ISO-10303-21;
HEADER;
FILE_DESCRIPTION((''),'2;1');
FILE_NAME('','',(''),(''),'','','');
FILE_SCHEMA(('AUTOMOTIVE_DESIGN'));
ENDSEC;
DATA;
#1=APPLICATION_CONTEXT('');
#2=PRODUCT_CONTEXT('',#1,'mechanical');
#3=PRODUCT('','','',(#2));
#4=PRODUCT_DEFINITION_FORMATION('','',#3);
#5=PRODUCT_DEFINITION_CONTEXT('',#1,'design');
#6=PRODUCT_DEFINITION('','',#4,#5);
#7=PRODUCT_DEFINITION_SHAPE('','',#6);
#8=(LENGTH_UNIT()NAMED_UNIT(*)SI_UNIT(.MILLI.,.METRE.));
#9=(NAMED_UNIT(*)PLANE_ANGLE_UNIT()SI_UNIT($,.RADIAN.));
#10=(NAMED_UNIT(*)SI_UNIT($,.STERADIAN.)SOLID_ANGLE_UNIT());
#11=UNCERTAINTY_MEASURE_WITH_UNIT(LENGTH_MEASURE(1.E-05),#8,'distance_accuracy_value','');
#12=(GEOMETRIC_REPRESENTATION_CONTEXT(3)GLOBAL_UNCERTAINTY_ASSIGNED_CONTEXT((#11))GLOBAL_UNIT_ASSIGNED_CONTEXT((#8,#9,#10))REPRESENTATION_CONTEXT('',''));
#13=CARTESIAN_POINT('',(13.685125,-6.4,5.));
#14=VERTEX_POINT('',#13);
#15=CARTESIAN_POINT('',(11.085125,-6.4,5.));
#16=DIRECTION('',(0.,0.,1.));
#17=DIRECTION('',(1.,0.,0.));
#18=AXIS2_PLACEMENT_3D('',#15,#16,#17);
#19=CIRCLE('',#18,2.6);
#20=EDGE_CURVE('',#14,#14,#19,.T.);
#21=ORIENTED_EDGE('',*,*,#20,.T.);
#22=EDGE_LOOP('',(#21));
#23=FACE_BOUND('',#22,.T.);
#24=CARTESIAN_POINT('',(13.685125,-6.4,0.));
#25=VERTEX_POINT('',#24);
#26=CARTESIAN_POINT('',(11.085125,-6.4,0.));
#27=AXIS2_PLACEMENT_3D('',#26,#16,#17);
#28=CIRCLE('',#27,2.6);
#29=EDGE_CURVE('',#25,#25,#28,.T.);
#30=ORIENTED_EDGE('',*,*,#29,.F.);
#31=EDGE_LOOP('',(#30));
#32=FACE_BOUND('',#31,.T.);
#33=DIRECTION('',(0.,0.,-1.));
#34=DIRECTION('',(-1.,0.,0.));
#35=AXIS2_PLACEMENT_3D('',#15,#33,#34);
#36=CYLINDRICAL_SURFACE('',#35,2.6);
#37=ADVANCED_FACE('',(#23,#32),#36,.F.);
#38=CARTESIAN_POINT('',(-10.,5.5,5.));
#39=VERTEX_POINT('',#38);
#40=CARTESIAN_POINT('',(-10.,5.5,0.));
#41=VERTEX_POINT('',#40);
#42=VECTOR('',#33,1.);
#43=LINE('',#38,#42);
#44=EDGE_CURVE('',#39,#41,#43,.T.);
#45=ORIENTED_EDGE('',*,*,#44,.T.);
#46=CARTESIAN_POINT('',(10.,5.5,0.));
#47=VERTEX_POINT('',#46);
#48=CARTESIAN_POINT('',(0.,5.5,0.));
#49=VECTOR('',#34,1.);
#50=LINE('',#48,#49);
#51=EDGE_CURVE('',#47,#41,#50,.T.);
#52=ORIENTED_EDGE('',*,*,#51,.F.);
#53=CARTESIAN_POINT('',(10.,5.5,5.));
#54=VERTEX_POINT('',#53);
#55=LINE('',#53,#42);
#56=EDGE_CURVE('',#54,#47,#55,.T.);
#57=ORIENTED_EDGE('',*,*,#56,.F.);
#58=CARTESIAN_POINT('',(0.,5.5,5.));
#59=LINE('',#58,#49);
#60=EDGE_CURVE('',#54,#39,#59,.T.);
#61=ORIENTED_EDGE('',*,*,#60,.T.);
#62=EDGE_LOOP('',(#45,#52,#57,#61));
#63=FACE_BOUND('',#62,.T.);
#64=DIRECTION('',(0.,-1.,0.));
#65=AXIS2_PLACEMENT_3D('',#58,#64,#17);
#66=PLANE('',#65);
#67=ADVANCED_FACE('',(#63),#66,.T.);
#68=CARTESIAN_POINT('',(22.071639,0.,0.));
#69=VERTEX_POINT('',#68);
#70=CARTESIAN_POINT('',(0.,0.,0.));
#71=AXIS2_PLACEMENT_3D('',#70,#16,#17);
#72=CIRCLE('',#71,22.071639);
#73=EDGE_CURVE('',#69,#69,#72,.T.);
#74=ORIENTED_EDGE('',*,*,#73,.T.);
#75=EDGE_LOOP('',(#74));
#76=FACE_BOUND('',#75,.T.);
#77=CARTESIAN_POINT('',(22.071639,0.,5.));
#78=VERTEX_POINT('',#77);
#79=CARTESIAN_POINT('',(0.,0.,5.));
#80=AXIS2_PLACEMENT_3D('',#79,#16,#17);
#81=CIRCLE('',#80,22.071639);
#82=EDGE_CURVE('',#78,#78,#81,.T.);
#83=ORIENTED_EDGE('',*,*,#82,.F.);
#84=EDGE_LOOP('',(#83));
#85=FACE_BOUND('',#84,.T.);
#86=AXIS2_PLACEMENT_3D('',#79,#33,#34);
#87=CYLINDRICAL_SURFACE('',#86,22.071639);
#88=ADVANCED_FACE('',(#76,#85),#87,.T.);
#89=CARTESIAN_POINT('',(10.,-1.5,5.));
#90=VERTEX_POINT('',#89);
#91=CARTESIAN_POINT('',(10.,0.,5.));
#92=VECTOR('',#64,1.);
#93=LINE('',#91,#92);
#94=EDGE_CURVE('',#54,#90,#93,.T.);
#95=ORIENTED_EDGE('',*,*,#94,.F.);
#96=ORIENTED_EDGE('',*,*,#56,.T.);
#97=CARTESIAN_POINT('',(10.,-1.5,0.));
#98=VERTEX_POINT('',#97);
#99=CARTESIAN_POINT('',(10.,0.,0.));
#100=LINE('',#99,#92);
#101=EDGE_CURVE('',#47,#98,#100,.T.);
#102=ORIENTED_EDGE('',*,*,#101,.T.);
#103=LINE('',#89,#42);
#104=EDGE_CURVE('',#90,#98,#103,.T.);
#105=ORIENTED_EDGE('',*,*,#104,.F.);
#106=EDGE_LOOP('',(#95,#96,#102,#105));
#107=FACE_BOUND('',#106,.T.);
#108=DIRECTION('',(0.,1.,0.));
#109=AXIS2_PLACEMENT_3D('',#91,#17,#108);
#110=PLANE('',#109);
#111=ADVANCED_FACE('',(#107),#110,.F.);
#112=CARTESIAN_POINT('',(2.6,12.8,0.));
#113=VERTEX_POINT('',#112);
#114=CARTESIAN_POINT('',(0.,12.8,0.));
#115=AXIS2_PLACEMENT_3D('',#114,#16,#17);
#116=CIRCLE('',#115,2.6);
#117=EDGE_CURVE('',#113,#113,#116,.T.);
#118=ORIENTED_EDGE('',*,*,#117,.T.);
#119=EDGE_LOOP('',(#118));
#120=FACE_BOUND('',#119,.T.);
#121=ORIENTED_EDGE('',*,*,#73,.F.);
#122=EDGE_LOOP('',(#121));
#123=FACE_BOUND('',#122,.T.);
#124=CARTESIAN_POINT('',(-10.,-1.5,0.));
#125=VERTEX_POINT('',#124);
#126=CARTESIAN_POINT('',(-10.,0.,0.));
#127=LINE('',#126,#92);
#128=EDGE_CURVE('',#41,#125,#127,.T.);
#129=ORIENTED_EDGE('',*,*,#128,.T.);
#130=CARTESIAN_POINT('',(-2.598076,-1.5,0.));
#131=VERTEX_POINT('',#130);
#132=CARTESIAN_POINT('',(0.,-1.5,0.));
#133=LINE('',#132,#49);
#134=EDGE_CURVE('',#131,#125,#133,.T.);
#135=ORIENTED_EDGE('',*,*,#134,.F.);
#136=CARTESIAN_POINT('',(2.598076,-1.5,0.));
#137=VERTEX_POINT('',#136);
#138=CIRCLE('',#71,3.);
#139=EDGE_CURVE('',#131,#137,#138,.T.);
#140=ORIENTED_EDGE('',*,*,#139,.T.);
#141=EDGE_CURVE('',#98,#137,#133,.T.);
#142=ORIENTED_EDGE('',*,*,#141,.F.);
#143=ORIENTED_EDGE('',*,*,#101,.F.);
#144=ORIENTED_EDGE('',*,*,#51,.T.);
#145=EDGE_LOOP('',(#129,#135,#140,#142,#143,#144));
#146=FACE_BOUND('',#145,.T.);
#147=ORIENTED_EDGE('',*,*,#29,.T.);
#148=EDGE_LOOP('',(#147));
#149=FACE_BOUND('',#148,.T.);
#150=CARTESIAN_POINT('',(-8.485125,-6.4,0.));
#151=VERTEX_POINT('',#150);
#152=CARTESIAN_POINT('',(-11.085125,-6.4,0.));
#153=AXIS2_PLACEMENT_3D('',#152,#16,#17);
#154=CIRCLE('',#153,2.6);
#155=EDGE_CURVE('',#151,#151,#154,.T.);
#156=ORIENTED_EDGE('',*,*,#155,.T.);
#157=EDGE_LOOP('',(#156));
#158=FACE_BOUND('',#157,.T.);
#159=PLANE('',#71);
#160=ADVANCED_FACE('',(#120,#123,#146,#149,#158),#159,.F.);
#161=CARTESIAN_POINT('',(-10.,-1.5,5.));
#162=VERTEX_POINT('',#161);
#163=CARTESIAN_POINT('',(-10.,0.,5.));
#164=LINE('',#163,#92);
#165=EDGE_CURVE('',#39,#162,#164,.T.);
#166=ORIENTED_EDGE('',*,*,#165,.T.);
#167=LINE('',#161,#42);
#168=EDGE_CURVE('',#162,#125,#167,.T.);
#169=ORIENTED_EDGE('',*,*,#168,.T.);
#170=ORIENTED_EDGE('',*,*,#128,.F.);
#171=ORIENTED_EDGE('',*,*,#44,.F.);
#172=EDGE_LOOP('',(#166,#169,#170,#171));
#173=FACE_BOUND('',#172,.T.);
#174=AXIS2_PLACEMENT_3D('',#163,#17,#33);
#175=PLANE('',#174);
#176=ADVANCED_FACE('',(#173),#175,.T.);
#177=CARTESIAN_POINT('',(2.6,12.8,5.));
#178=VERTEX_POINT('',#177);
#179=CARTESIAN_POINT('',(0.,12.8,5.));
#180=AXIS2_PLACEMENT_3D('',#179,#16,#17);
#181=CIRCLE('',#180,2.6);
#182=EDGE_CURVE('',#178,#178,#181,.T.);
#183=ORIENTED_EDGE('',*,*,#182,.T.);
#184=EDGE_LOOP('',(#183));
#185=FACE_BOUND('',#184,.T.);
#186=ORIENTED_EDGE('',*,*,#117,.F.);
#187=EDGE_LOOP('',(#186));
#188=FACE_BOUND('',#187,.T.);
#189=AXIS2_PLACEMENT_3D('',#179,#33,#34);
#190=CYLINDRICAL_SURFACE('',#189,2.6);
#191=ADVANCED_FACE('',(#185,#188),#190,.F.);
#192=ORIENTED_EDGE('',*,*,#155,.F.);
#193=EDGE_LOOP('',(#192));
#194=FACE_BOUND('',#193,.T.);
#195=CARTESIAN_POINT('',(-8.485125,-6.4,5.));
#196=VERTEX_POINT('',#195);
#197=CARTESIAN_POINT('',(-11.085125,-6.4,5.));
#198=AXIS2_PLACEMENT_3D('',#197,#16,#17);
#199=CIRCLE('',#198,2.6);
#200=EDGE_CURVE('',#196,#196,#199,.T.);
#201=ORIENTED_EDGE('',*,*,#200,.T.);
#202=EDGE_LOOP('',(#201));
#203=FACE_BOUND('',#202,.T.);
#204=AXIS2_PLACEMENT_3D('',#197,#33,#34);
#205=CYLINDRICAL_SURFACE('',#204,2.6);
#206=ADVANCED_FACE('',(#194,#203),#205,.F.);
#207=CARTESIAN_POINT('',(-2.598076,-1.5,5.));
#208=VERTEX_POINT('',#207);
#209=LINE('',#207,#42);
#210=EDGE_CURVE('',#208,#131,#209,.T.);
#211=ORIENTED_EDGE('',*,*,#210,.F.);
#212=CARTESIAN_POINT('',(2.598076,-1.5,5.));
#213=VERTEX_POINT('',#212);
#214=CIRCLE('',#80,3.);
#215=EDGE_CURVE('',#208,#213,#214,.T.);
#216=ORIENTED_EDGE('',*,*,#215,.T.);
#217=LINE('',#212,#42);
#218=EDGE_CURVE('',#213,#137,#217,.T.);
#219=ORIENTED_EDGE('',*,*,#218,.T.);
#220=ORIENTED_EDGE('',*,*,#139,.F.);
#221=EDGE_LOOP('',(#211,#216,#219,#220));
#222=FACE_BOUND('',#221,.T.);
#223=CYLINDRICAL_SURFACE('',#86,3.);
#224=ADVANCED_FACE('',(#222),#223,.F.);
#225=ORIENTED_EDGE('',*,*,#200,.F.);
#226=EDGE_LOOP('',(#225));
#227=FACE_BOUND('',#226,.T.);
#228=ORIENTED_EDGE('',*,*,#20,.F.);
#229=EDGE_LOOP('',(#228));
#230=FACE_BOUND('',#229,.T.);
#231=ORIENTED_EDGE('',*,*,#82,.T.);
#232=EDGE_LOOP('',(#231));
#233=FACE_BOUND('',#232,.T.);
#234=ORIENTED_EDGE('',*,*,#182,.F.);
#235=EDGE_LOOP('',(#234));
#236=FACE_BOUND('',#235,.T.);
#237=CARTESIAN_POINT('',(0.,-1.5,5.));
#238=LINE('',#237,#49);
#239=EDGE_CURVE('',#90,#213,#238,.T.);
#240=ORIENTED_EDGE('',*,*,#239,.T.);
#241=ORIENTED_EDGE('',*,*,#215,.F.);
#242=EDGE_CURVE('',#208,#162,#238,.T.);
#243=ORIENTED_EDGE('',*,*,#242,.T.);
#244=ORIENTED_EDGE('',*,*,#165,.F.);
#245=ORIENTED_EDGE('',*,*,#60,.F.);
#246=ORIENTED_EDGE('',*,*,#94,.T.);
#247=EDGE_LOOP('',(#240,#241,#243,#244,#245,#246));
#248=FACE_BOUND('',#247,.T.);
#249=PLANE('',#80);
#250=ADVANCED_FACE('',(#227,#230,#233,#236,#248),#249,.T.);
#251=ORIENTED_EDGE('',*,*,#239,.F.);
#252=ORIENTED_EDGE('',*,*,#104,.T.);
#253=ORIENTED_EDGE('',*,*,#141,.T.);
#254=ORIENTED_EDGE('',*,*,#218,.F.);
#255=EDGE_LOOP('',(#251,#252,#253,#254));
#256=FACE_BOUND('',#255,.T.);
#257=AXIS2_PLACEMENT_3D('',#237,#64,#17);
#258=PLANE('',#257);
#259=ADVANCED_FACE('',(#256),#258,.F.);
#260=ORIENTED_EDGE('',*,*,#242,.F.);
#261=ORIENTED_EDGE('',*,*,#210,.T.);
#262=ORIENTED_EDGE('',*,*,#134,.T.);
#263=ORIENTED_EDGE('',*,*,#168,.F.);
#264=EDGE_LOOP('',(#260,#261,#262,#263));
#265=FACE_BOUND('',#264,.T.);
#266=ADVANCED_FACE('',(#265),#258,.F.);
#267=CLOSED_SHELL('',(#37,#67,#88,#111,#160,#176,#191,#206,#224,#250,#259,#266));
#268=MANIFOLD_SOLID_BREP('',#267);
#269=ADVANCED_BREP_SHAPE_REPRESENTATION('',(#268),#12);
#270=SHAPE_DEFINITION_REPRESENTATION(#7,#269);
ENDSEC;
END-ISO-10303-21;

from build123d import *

# Parameters (mm, degrees)
SKETCH_1_R      = 22.071639064
SKETCH_1_R_2    = 2.6
EXTRUDE_1_DEPTH = 5


with BuildPart() as part:
    # 스케치1 → 보스-돌출1 (new body)
    with BuildSketch(Plane.XY):
        Circle(SKETCH_1_R)
        with Locations((0, 12.8)):
            Circle(SKETCH_1_R_2, mode=Mode.SUBTRACT)
        with Locations((-11.085125168, -6.4)):
            Circle(SKETCH_1_R_2, mode=Mode.SUBTRACT)
        with Locations((11.085125168, -6.4)):
            Circle(SKETCH_1_R_2, mode=Mode.SUBTRACT)
        with BuildLine():
            Line((-10, 5.5), (10, 5.5))
            Line((10, 5.5), (10, -1.5))
            Line((10, -1.5), (2.598076211, -1.5))
            ThreePointArc((2.598076211, -1.5), (0, -3), (-2.598076211, -1.5))
            Line((-2.598076211, -1.5), (-10, -1.5))
            Line((-10, -1.5), (-10, 5.5))
        make_face(mode=Mode.SUBTRACT)
    extrude(amount=EXTRUDE_1_DEPTH)


solid = part.part
